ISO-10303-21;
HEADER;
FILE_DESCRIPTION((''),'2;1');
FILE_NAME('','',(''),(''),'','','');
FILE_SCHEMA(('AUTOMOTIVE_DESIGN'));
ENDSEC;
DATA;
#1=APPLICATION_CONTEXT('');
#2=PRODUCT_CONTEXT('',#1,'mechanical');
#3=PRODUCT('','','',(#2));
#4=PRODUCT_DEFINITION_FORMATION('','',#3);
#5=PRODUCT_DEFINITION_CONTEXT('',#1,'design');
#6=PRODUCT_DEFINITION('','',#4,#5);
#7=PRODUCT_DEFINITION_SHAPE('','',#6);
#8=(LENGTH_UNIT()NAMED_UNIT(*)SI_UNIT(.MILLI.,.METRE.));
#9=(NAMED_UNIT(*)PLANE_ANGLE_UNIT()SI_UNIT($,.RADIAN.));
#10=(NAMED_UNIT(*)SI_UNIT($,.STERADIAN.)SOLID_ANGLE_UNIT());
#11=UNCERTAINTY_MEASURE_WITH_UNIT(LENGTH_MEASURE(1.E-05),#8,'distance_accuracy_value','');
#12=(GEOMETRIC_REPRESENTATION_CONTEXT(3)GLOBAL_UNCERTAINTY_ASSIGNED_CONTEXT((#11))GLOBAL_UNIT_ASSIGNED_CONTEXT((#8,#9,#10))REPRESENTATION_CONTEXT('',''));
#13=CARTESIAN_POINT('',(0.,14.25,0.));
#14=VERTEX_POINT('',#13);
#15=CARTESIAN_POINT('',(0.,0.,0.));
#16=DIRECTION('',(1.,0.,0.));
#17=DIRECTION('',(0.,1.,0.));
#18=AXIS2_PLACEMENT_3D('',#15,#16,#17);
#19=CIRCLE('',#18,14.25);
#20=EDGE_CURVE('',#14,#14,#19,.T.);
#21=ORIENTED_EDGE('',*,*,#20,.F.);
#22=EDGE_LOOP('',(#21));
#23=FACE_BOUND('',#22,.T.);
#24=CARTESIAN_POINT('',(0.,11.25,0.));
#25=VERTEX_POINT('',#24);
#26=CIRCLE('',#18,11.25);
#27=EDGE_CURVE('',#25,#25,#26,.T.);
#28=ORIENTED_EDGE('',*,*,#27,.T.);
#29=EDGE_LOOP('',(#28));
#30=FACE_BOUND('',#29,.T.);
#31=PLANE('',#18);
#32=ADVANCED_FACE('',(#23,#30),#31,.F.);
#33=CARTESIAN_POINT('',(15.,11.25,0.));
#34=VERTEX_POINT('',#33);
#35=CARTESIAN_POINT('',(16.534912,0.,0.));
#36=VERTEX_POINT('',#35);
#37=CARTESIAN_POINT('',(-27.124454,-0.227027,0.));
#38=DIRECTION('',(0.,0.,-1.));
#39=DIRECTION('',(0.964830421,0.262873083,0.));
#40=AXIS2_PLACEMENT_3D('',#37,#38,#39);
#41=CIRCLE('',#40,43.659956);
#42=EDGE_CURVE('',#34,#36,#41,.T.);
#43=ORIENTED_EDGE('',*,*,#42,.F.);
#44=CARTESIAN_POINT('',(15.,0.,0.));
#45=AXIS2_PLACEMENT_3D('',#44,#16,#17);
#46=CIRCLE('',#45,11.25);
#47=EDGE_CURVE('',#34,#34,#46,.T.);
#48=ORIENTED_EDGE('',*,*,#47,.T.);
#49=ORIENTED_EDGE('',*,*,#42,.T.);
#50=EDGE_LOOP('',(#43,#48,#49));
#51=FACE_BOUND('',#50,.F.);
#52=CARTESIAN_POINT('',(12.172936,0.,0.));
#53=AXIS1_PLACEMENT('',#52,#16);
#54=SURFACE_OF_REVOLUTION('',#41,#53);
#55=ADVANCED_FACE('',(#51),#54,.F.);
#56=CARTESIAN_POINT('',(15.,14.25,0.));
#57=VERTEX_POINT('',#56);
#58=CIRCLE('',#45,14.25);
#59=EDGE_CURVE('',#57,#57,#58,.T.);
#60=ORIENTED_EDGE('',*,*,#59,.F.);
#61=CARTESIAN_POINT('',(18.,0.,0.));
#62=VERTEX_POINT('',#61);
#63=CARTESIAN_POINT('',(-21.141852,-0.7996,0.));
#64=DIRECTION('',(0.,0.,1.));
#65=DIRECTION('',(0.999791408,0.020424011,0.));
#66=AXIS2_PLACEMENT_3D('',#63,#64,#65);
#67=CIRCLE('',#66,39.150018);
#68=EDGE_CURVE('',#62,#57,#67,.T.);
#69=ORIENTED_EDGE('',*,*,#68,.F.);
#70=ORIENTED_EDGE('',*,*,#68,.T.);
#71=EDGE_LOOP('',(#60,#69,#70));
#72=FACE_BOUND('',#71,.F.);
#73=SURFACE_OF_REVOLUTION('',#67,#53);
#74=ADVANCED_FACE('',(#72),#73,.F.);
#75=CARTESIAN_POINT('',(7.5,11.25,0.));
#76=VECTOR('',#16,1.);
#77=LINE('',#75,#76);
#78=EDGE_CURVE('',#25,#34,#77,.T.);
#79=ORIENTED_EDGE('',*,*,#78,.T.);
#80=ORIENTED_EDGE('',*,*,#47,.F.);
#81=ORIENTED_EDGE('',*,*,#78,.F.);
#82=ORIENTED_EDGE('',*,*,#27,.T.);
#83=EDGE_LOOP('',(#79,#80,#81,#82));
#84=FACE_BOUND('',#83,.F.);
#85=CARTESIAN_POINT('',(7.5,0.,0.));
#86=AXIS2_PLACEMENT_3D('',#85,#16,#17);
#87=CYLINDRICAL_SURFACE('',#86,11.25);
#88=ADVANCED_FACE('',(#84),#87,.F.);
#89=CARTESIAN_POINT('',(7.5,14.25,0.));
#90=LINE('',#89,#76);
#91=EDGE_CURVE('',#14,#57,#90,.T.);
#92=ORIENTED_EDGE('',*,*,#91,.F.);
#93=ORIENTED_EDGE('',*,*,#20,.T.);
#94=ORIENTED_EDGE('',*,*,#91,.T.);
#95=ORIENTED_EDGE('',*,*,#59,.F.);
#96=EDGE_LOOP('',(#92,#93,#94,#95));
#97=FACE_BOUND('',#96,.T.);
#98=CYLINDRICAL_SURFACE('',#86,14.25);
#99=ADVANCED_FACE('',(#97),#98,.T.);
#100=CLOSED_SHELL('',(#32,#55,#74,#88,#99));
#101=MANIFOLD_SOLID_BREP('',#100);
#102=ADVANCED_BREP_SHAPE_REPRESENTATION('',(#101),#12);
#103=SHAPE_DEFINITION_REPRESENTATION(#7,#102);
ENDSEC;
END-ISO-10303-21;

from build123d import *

# Parameters (mm, degrees)
F0_W = 15
F0_H = 3


with BuildPart() as f1:
    # F0 (on Top) → F1 (revolve)
    with BuildSketch(Plane.XY):
        with Locations((7.5, 12.75)):
            Rectangle(F0_W, F0_H)
        with BuildLine():
            Line((15, 14.25), (15, 11.25))
            ThreePointArc((15, 11.25), (16.134725, 5.675109), (16.534912, 0))
            Line((16.534912, 0), (18, 0))
            ThreePointArc((18, 0), (17.16839, 7.265714), (15, 14.25))
        make_face()
    revolve(axis=Axis((12.172936, 0, 0), (1, 0, 0)))


solid = f1.part
